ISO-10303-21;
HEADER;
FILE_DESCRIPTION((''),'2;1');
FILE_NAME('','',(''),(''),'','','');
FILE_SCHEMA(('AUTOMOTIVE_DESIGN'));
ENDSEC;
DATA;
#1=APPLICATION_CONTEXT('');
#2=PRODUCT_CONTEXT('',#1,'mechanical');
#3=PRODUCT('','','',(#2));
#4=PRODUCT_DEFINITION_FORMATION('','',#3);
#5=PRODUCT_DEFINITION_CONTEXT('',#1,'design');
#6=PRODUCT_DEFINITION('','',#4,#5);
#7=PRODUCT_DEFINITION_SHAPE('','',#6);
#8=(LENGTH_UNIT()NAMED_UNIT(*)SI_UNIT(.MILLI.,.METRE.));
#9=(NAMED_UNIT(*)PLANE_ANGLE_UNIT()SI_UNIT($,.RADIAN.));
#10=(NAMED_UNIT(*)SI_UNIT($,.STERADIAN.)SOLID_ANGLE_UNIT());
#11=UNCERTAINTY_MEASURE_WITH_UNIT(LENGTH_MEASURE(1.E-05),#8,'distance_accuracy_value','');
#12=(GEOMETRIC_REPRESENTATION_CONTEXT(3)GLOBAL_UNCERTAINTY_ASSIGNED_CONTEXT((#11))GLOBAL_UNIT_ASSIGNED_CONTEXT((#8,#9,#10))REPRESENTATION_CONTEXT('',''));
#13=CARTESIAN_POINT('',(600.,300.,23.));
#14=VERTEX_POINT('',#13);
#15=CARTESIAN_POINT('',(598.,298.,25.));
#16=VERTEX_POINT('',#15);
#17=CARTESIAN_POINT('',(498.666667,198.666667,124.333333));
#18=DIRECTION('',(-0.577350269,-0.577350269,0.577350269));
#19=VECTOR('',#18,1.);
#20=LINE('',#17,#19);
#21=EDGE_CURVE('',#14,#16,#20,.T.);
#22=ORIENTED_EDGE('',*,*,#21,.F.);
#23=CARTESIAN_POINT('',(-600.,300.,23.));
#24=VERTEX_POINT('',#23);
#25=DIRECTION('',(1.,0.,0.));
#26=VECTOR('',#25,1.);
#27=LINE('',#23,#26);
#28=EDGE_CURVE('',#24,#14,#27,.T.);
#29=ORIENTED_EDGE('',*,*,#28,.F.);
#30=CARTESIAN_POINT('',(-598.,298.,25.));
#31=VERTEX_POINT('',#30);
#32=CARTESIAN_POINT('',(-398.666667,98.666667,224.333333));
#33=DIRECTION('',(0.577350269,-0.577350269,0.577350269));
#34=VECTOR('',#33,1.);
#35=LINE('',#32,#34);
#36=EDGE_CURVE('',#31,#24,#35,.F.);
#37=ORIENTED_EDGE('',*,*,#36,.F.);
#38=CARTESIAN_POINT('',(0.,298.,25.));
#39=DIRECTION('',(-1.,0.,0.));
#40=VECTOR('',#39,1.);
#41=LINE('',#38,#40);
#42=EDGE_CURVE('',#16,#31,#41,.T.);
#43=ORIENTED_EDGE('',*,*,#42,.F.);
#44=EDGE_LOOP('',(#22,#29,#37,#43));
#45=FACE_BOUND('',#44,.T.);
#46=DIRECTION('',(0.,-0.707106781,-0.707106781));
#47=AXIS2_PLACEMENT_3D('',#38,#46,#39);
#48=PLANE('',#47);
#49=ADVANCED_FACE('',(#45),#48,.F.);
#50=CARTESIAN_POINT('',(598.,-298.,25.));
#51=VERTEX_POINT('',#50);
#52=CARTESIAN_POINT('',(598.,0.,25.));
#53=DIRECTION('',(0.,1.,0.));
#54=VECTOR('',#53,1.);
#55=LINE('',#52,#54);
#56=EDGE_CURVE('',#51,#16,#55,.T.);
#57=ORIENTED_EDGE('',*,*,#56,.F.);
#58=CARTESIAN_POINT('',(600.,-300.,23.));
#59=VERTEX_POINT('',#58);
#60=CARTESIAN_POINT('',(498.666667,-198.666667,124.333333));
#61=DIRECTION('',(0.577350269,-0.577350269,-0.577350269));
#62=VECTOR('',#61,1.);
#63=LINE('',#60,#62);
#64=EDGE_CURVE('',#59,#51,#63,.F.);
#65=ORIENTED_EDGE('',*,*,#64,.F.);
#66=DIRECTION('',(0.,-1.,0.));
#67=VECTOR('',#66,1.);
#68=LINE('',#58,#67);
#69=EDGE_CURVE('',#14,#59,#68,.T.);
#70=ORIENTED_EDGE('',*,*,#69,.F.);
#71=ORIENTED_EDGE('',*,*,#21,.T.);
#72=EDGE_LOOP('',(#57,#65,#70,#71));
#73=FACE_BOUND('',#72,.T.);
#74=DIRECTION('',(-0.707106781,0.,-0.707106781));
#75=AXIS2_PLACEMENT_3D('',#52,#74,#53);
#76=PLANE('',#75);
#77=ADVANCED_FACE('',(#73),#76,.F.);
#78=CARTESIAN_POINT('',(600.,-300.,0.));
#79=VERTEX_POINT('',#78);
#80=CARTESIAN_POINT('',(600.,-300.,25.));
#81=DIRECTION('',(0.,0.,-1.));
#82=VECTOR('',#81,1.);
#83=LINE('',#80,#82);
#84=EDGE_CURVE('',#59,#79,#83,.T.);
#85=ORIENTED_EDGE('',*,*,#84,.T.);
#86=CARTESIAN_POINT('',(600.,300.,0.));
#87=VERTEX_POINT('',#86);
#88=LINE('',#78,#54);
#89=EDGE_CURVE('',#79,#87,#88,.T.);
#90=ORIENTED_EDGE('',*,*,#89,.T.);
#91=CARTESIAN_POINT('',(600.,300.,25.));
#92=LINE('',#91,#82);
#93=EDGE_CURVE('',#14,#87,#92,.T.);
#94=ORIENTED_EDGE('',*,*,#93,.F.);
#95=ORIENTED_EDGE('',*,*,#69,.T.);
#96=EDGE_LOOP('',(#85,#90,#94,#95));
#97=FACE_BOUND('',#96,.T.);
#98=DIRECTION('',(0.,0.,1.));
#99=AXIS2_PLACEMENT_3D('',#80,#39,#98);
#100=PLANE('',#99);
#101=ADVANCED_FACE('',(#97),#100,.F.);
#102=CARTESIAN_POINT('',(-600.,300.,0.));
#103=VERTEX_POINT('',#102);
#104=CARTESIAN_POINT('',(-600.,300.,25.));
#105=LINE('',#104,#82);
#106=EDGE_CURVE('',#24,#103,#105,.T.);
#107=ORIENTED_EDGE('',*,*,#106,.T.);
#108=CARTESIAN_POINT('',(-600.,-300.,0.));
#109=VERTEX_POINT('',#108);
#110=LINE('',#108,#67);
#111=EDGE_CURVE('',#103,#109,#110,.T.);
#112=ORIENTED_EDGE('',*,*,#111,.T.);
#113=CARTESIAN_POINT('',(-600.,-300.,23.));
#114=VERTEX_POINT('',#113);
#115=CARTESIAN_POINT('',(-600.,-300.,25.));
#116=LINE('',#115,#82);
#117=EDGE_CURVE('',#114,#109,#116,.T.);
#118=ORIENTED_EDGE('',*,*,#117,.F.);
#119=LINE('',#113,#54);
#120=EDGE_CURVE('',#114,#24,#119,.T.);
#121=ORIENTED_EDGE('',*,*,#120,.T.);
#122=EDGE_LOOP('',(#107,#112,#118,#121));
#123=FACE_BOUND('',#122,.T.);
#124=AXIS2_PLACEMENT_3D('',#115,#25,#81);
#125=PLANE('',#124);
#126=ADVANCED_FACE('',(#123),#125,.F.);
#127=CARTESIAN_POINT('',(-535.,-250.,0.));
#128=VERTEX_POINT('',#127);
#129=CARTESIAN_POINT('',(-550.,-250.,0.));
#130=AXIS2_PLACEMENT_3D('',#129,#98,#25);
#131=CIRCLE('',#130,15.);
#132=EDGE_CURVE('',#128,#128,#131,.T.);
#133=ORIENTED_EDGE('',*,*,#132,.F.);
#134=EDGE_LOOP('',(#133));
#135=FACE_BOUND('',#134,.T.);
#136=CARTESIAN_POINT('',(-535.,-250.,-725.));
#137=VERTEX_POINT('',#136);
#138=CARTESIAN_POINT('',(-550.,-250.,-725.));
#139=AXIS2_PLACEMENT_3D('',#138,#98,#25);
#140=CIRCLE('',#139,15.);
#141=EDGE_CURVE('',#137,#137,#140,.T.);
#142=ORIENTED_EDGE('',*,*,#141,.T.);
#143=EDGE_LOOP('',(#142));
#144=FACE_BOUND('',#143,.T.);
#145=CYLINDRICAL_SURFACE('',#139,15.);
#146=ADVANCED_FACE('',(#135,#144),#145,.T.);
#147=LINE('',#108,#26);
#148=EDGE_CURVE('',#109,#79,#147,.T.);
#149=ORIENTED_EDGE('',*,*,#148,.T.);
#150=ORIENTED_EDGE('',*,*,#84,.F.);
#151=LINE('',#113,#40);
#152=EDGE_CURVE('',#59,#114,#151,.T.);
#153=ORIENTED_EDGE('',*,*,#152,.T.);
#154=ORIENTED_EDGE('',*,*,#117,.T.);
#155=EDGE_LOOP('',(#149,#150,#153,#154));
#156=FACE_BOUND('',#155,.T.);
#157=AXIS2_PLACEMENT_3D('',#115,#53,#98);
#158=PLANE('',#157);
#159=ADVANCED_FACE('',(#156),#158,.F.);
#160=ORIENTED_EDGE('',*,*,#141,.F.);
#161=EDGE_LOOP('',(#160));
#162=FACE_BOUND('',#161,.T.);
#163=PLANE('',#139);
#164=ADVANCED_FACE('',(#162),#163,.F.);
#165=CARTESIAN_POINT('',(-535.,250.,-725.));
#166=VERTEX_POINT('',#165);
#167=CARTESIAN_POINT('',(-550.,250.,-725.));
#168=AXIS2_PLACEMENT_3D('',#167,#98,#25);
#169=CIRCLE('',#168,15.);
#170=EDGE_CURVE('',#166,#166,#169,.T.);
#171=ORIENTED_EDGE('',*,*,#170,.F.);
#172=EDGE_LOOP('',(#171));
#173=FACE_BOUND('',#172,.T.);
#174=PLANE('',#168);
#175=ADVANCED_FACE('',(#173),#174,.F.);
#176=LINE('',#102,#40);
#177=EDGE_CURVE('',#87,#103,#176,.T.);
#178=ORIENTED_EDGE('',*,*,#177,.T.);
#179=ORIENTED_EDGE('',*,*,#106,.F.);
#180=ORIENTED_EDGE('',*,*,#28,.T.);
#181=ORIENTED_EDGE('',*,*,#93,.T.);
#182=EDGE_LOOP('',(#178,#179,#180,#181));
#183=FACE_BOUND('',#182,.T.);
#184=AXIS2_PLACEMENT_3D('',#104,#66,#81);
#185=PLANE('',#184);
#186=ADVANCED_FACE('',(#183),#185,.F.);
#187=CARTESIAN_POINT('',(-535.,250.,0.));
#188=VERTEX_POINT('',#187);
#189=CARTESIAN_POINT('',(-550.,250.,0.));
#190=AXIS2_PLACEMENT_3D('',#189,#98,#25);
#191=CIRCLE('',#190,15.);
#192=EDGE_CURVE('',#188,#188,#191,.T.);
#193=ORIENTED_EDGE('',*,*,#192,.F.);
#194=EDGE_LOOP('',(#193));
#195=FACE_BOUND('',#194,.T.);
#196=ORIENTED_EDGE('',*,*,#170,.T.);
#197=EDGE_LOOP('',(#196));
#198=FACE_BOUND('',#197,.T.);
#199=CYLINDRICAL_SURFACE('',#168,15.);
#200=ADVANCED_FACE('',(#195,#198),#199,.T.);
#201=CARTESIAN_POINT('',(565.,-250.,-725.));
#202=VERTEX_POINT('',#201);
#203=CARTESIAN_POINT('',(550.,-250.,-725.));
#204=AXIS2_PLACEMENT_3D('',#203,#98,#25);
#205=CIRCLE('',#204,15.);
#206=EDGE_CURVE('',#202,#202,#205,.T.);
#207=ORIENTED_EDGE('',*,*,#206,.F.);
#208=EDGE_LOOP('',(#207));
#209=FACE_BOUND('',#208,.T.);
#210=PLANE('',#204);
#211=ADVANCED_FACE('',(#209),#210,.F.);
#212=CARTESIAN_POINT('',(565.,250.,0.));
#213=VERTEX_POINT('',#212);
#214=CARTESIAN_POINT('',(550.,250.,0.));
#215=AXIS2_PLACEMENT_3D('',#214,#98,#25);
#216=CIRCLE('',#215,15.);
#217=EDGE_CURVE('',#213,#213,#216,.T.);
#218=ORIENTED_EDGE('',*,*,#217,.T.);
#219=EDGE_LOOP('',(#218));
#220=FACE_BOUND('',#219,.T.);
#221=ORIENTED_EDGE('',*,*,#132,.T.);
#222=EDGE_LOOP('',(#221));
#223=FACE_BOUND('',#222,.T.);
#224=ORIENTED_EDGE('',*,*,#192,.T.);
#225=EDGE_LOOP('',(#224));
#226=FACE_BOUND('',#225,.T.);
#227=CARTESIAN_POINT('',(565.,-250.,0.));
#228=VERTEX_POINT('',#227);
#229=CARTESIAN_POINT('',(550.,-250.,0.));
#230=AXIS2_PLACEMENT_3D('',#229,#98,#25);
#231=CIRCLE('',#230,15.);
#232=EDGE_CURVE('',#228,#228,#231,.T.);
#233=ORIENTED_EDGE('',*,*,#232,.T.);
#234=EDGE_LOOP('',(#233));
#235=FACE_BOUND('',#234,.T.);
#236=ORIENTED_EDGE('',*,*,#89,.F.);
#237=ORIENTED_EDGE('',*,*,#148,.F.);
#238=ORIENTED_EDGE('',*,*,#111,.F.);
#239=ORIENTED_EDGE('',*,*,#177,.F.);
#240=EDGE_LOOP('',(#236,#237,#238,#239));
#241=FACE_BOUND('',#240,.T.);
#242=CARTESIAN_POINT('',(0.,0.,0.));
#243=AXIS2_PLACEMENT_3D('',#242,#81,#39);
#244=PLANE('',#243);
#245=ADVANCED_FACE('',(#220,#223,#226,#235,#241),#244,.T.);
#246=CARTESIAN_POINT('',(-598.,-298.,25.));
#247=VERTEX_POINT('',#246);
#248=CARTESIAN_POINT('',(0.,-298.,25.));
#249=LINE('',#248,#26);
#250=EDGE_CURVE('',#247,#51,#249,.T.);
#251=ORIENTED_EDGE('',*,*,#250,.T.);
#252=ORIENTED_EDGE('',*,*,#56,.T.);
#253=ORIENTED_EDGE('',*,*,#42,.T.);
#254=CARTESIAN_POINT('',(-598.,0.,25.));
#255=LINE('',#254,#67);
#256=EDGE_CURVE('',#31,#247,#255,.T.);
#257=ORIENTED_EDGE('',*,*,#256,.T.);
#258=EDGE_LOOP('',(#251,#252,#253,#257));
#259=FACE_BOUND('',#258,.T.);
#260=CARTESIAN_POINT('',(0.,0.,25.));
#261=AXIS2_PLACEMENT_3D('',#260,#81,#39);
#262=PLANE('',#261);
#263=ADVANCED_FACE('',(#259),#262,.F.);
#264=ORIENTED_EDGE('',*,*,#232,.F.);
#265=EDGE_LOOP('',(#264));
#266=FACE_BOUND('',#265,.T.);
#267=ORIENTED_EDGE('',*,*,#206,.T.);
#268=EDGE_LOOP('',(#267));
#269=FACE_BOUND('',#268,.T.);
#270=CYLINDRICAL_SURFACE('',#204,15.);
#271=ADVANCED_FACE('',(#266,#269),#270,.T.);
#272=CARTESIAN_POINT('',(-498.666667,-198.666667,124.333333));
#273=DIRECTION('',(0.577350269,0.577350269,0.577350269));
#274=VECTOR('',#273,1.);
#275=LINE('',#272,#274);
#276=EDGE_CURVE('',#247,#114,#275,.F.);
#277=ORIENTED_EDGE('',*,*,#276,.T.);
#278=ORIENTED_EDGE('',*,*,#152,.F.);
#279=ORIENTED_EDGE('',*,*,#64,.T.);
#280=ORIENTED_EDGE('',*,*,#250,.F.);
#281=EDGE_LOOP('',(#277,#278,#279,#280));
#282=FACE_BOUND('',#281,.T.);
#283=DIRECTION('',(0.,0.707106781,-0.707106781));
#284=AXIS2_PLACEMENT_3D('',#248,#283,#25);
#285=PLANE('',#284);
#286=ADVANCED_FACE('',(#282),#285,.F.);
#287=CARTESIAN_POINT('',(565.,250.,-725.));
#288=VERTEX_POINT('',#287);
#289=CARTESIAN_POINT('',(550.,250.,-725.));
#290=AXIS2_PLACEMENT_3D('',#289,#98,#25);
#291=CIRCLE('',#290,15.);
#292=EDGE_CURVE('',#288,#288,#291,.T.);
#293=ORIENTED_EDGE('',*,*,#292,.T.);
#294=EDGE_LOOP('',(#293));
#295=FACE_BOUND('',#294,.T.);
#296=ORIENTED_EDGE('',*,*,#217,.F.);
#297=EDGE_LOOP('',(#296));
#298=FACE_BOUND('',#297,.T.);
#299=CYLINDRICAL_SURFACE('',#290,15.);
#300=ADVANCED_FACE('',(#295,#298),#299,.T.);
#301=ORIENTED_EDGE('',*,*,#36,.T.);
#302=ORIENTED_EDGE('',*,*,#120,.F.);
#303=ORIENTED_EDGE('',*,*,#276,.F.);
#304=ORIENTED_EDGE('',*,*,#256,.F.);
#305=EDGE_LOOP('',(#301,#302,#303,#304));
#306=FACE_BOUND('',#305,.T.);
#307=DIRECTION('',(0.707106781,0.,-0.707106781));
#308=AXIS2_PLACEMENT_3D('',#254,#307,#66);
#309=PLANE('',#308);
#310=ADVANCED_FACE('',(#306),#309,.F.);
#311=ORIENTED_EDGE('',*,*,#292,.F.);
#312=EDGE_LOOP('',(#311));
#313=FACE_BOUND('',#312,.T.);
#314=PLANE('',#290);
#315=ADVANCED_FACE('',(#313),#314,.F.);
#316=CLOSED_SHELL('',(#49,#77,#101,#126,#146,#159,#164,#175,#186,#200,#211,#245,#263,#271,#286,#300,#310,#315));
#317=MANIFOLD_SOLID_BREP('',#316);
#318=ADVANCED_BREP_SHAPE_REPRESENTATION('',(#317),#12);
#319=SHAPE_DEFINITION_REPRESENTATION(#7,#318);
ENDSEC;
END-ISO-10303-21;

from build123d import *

# Parameters (mm, degrees)
SKETCH1_W           = 1200
SKETCH1_H           = 600
BOSS_EXTRUDE1_DEPTH = 25
SKETCH2_R           = 15
BOSS_EXTRUDE2_DEPTH = 725
CHAMFER1_SIZE       = 2


with BuildPart() as part:
    # Sketch1 → Boss-Extrude1 (new body)
    with BuildSketch(Plane.XY):
        Rectangle(SKETCH1_W, SKETCH1_H)
    extrude(amount=BOSS_EXTRUDE1_DEPTH)

    # Sketch2 → Boss-Extrude2 (add)
    with BuildSketch(Plane.XY):
        with Locations((550, 250)):
            Circle(SKETCH2_R)
        with Locations((-550, 250)):
            Circle(SKETCH2_R)
        with Locations((-550, -250)):
            Circle(SKETCH2_R)
        with Locations((550, -250)):
            Circle(SKETCH2_R)
    extrude(amount=-BOSS_EXTRUDE2_DEPTH)

    # Chamfer1
    chamfer1_edges = [part.edges().sort_by_distance(p)[0] for p in [
        (-600, 0, 25),
        (0, -300, 25),
        (600, 0, 25),
        (0, 300, 25),
    ]]
    chamfer(chamfer1_edges, length=CHAMFER1_SIZE)


solid = part.part
